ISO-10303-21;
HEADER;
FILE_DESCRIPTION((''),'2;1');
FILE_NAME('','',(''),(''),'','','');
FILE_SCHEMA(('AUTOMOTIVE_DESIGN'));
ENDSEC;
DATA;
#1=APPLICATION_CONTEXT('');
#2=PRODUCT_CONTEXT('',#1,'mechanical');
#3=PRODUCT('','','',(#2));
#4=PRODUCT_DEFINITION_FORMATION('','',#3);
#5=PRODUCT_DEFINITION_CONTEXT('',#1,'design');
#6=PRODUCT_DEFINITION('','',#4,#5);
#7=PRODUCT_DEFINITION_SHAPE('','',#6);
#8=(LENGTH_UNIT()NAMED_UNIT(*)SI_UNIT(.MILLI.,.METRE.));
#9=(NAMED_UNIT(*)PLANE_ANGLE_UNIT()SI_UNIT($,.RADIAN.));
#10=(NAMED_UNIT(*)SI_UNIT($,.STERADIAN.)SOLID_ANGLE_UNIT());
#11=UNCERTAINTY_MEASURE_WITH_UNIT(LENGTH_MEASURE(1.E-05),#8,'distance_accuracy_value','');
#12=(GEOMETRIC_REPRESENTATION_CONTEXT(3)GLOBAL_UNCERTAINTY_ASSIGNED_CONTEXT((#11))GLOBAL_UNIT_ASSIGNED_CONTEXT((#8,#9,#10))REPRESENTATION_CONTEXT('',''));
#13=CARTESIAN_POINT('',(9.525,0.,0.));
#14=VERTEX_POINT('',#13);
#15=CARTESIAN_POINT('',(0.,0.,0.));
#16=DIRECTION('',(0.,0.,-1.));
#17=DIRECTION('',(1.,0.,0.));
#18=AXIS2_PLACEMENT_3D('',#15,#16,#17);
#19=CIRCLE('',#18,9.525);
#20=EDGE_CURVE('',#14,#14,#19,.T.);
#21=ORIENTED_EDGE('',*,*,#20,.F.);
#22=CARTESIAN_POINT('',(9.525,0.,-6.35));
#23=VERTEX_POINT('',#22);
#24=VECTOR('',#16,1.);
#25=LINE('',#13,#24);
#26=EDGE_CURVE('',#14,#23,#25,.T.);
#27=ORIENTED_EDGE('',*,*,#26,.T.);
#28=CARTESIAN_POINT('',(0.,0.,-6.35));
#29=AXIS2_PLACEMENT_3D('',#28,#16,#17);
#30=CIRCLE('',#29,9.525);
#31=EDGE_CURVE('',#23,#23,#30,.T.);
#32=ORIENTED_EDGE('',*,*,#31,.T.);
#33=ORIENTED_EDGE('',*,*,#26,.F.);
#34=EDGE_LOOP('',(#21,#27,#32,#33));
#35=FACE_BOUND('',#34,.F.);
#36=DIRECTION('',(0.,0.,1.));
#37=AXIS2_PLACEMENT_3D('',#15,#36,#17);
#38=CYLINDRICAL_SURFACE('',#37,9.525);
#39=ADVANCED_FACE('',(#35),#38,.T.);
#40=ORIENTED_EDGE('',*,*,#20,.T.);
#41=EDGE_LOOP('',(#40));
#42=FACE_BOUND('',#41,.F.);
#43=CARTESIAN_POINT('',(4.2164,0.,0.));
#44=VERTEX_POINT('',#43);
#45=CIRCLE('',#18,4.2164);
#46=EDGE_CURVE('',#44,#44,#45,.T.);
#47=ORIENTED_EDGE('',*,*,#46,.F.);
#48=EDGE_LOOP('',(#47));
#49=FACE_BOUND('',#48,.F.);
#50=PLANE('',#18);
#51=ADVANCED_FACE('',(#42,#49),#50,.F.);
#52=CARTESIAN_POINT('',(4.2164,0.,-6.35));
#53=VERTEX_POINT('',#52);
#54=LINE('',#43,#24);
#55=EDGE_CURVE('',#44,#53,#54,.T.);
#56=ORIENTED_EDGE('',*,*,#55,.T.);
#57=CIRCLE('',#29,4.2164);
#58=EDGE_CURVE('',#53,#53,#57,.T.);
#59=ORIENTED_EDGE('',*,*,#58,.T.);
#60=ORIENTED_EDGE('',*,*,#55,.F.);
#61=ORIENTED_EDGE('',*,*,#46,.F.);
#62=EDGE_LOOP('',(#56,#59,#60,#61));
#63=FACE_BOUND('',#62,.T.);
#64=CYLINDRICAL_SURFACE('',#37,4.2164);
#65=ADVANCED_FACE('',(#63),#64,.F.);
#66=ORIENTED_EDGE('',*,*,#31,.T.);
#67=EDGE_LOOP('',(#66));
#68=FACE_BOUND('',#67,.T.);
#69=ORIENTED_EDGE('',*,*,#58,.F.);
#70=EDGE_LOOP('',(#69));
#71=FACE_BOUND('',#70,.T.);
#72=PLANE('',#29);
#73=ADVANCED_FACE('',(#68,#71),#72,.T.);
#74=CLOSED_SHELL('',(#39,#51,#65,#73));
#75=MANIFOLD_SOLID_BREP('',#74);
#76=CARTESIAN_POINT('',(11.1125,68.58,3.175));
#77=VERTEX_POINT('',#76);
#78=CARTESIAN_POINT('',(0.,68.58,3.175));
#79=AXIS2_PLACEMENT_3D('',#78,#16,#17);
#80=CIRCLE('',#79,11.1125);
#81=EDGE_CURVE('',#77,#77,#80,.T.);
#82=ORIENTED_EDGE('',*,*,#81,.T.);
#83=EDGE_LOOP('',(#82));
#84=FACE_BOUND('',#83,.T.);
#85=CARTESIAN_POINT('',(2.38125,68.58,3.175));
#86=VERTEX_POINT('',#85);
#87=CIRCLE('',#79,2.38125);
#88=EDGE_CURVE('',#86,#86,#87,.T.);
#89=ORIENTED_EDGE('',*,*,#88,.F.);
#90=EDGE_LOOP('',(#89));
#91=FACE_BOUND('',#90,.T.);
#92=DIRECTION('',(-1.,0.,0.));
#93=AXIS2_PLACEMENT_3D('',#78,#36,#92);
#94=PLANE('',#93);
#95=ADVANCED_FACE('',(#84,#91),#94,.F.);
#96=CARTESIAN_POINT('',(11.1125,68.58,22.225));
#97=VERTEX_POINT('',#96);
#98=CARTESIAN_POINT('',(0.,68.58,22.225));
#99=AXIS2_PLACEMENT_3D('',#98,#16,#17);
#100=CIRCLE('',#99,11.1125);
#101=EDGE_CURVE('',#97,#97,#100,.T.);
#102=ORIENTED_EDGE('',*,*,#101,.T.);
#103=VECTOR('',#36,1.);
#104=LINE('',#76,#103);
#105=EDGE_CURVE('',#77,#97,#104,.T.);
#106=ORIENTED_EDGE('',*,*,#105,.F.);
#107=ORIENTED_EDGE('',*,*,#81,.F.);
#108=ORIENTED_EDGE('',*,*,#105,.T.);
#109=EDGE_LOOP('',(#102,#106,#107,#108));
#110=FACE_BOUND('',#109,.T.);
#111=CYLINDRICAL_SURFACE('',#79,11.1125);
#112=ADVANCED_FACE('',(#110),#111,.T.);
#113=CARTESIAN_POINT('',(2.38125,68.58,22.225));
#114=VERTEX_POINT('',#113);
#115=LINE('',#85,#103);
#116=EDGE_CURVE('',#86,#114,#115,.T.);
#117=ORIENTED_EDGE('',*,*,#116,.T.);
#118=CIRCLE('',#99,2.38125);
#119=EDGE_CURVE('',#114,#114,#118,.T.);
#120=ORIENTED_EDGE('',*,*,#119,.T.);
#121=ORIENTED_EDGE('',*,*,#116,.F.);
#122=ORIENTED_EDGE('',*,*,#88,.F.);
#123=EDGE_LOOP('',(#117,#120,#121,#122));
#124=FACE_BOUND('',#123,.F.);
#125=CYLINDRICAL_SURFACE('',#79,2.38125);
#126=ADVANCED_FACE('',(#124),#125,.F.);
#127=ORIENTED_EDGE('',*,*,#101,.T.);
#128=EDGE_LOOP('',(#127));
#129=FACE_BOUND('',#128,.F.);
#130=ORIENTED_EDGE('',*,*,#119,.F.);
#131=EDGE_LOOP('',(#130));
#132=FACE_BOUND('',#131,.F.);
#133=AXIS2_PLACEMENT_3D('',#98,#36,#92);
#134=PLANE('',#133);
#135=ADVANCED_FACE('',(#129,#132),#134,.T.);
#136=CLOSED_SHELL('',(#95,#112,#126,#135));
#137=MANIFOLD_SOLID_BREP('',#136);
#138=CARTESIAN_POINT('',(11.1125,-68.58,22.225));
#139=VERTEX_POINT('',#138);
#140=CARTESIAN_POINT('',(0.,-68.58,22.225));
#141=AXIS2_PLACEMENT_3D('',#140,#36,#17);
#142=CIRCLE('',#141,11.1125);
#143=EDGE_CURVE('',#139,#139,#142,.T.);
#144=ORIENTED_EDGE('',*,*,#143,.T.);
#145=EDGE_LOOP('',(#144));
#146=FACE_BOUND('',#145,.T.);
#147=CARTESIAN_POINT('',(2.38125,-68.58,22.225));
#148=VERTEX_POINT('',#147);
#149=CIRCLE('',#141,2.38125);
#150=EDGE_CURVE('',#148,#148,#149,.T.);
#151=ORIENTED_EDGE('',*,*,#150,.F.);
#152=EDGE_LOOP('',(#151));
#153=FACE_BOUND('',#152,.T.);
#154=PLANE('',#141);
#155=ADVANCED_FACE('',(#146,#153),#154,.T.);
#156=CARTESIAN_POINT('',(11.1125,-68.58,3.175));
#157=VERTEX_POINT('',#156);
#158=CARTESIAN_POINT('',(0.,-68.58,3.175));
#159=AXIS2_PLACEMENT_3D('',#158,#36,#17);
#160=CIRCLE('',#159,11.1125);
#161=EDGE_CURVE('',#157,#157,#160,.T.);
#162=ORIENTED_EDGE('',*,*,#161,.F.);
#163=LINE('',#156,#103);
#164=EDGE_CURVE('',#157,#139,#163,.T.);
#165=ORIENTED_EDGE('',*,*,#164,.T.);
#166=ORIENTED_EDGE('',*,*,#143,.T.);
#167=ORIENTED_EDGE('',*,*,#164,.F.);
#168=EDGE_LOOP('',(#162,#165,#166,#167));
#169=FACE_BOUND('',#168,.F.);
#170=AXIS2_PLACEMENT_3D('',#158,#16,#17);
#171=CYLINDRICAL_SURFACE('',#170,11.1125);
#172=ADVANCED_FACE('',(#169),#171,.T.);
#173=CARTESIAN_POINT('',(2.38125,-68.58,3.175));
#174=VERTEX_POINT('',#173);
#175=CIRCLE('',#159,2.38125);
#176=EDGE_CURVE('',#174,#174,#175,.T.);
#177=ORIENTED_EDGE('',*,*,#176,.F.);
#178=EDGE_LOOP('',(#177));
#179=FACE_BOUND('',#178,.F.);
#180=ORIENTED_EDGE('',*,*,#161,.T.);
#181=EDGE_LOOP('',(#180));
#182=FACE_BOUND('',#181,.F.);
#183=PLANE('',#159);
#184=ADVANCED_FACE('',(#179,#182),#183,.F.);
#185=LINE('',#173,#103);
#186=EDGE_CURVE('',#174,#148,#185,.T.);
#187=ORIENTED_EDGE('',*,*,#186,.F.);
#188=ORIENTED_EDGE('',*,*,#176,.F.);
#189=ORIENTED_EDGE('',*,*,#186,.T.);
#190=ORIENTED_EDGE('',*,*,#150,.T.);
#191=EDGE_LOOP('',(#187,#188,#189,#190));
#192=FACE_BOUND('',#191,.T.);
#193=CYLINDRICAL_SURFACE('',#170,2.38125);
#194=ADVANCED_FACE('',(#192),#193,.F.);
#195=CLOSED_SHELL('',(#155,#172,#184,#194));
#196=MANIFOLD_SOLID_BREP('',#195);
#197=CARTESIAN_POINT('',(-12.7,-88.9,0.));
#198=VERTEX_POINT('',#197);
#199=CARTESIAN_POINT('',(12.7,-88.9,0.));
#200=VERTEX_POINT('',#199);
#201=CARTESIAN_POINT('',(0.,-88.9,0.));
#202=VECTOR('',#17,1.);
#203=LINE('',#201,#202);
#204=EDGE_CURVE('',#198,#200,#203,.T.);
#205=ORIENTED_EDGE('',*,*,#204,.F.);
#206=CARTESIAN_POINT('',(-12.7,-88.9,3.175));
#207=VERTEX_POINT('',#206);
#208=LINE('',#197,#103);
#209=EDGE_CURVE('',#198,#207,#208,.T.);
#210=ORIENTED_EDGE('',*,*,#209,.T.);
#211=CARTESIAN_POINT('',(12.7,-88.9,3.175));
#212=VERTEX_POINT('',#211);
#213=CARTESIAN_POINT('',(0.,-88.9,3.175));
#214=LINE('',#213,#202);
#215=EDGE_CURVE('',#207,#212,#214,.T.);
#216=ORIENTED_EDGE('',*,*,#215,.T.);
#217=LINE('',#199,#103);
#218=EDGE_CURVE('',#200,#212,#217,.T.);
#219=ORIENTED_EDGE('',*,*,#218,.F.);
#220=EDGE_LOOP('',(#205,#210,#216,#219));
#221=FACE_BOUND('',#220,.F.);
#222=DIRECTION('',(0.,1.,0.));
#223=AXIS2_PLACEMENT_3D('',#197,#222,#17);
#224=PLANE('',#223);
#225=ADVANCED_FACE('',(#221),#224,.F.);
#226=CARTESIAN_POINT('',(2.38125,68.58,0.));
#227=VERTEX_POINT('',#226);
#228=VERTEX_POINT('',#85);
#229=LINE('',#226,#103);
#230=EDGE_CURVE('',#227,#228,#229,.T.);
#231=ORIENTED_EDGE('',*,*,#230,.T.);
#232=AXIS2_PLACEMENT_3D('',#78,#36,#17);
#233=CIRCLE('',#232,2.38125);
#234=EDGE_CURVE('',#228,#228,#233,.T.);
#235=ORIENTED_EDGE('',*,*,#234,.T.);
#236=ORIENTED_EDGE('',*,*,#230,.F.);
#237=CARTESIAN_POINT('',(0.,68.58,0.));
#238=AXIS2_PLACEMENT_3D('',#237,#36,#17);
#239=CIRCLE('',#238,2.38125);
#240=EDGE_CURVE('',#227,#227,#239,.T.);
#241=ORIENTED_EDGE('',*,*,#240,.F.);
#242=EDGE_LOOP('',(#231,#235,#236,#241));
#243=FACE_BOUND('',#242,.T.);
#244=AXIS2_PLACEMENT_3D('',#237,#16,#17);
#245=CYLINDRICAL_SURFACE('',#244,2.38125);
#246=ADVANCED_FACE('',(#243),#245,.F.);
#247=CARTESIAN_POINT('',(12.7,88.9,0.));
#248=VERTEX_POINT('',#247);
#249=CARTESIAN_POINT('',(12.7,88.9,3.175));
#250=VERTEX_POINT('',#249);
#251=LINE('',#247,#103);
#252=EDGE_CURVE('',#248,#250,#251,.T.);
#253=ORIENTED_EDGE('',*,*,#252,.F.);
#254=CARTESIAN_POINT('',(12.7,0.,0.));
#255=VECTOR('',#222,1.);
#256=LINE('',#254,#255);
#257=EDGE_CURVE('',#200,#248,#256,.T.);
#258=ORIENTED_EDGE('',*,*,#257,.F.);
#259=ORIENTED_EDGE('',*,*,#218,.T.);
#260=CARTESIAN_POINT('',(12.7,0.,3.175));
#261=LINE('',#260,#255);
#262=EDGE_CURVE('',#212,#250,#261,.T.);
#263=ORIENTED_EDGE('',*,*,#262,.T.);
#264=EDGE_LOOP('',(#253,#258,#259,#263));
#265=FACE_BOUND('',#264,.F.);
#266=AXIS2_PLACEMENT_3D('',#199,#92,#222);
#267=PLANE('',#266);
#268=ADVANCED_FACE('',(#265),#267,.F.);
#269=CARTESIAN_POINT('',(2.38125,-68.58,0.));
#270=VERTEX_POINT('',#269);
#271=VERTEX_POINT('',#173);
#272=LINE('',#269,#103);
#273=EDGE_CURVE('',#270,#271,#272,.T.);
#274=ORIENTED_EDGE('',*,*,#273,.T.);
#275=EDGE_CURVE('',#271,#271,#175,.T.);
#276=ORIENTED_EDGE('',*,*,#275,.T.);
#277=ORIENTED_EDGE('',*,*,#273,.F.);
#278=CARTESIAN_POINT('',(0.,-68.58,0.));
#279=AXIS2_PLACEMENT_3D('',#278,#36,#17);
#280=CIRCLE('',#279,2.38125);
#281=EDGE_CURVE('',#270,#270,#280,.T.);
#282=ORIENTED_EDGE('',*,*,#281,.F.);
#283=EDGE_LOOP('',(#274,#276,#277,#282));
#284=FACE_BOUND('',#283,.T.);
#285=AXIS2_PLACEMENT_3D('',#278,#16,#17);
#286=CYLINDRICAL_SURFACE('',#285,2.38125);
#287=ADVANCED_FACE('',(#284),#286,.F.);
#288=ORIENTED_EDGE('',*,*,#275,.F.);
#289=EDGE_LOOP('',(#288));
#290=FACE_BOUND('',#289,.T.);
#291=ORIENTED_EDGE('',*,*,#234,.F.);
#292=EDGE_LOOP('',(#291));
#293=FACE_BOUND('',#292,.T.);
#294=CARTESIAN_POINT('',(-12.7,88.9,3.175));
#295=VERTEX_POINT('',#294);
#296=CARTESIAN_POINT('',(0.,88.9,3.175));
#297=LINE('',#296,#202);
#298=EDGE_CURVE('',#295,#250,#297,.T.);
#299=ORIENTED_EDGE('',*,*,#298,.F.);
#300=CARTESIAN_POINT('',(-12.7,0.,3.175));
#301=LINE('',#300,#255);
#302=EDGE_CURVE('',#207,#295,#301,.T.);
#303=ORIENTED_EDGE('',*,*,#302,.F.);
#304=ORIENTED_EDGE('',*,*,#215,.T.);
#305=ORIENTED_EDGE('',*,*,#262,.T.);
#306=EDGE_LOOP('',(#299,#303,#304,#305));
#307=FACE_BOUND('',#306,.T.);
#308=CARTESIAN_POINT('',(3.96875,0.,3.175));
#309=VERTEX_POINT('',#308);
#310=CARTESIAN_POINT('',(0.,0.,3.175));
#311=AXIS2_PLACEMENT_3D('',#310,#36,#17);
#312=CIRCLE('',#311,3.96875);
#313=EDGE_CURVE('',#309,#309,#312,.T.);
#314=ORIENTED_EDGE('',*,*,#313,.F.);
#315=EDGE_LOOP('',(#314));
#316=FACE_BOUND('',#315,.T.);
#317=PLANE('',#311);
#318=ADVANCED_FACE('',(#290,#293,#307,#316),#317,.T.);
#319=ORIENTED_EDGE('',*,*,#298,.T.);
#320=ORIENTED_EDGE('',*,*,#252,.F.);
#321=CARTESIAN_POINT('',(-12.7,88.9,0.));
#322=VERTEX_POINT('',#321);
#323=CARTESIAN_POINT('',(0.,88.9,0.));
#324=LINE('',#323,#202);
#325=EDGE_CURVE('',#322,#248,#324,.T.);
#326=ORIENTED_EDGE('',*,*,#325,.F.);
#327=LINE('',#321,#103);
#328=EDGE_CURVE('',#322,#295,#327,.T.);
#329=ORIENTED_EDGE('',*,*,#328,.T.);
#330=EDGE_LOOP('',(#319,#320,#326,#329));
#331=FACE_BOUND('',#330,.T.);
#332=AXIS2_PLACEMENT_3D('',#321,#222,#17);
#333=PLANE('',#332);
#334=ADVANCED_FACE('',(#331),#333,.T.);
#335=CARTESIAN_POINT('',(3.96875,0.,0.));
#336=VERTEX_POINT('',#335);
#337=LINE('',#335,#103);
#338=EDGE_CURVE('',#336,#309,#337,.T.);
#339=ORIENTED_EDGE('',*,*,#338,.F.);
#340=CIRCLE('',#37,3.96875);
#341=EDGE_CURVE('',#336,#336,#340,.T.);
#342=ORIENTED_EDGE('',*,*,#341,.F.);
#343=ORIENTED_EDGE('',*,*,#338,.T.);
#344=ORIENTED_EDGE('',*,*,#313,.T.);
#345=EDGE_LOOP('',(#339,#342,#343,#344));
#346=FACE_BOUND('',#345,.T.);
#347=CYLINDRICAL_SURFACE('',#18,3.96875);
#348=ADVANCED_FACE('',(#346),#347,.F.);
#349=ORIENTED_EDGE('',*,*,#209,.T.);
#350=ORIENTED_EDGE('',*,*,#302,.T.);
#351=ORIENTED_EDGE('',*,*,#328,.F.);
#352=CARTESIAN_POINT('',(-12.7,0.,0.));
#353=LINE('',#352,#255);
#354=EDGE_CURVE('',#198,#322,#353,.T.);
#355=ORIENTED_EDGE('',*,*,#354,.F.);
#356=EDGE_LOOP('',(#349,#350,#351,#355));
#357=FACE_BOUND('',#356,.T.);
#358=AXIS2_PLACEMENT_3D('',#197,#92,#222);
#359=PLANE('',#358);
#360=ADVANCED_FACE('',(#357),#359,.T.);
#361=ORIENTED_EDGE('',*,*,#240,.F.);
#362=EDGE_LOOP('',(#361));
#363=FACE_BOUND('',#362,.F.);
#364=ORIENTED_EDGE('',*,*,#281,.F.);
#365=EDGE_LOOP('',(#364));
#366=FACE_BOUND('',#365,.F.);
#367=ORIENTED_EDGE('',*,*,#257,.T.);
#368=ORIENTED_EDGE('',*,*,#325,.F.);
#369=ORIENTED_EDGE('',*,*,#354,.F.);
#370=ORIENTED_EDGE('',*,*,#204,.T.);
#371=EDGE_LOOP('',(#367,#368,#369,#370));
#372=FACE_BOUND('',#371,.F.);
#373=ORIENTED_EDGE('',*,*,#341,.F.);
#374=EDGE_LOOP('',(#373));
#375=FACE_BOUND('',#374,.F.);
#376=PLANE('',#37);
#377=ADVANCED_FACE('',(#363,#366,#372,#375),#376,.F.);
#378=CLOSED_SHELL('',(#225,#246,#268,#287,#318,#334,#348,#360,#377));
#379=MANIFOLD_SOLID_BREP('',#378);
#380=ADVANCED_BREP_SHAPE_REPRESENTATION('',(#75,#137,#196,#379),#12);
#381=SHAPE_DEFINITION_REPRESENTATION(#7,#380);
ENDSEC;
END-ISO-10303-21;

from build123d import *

# Parameters (mm, degrees)
F0_W     = 25.4
F0_H     = 177.8
F0_R     = 2.38125
F0_R_2   = 3.96875
F1_DEPTH = 3.175
F2_R     = 9.525
F2_R_2   = 4.2164
F3_DEPTH = 6.35
F4_R     = 11.1125
F4_R_2   = 2.38125
F5_DEPTH = 19.05


with BuildPart() as f1:
    # F0 (on Top) → F1 (new body)
    with BuildSketch(Plane.XY):
        Rectangle(F0_W, F0_H)
        with Locations((0, -68.58)):
            Circle(F0_R, mode=Mode.SUBTRACT)
        Circle(F0_R_2, mode=Mode.SUBTRACT)
        with Locations((0, 68.58)):
            Circle(F0_R, mode=Mode.SUBTRACT)
    extrude(amount=F1_DEPTH)


with BuildPart() as f3:
    # F2 (on face) → F3 (new body)
    with BuildSketch(Plane(origin=(0, 0, 0), x_dir=(1, 0, 0), z_dir=(0, 0, -1))):
        Circle(F2_R)
        Circle(F2_R_2, mode=Mode.SUBTRACT)
    extrude(amount=F3_DEPTH)


with BuildPart() as f5:
    # F4 (on face) → F5 (new body)
    with BuildSketch(Plane.XY.offset(3.175)):
        with Locations((0, -68.58)):
            Circle(F4_R)
        with Locations((0, -68.58)):
            Circle(F4_R_2, mode=Mode.SUBTRACT)
    extrude(amount=F5_DEPTH)


with BuildPart() as f6_1:
    # F6: instance of F5
    add(f5.part.mirror(Plane.XZ))


solid = Compound([f1.part, f3.part, f5.part, f6_1.part])
